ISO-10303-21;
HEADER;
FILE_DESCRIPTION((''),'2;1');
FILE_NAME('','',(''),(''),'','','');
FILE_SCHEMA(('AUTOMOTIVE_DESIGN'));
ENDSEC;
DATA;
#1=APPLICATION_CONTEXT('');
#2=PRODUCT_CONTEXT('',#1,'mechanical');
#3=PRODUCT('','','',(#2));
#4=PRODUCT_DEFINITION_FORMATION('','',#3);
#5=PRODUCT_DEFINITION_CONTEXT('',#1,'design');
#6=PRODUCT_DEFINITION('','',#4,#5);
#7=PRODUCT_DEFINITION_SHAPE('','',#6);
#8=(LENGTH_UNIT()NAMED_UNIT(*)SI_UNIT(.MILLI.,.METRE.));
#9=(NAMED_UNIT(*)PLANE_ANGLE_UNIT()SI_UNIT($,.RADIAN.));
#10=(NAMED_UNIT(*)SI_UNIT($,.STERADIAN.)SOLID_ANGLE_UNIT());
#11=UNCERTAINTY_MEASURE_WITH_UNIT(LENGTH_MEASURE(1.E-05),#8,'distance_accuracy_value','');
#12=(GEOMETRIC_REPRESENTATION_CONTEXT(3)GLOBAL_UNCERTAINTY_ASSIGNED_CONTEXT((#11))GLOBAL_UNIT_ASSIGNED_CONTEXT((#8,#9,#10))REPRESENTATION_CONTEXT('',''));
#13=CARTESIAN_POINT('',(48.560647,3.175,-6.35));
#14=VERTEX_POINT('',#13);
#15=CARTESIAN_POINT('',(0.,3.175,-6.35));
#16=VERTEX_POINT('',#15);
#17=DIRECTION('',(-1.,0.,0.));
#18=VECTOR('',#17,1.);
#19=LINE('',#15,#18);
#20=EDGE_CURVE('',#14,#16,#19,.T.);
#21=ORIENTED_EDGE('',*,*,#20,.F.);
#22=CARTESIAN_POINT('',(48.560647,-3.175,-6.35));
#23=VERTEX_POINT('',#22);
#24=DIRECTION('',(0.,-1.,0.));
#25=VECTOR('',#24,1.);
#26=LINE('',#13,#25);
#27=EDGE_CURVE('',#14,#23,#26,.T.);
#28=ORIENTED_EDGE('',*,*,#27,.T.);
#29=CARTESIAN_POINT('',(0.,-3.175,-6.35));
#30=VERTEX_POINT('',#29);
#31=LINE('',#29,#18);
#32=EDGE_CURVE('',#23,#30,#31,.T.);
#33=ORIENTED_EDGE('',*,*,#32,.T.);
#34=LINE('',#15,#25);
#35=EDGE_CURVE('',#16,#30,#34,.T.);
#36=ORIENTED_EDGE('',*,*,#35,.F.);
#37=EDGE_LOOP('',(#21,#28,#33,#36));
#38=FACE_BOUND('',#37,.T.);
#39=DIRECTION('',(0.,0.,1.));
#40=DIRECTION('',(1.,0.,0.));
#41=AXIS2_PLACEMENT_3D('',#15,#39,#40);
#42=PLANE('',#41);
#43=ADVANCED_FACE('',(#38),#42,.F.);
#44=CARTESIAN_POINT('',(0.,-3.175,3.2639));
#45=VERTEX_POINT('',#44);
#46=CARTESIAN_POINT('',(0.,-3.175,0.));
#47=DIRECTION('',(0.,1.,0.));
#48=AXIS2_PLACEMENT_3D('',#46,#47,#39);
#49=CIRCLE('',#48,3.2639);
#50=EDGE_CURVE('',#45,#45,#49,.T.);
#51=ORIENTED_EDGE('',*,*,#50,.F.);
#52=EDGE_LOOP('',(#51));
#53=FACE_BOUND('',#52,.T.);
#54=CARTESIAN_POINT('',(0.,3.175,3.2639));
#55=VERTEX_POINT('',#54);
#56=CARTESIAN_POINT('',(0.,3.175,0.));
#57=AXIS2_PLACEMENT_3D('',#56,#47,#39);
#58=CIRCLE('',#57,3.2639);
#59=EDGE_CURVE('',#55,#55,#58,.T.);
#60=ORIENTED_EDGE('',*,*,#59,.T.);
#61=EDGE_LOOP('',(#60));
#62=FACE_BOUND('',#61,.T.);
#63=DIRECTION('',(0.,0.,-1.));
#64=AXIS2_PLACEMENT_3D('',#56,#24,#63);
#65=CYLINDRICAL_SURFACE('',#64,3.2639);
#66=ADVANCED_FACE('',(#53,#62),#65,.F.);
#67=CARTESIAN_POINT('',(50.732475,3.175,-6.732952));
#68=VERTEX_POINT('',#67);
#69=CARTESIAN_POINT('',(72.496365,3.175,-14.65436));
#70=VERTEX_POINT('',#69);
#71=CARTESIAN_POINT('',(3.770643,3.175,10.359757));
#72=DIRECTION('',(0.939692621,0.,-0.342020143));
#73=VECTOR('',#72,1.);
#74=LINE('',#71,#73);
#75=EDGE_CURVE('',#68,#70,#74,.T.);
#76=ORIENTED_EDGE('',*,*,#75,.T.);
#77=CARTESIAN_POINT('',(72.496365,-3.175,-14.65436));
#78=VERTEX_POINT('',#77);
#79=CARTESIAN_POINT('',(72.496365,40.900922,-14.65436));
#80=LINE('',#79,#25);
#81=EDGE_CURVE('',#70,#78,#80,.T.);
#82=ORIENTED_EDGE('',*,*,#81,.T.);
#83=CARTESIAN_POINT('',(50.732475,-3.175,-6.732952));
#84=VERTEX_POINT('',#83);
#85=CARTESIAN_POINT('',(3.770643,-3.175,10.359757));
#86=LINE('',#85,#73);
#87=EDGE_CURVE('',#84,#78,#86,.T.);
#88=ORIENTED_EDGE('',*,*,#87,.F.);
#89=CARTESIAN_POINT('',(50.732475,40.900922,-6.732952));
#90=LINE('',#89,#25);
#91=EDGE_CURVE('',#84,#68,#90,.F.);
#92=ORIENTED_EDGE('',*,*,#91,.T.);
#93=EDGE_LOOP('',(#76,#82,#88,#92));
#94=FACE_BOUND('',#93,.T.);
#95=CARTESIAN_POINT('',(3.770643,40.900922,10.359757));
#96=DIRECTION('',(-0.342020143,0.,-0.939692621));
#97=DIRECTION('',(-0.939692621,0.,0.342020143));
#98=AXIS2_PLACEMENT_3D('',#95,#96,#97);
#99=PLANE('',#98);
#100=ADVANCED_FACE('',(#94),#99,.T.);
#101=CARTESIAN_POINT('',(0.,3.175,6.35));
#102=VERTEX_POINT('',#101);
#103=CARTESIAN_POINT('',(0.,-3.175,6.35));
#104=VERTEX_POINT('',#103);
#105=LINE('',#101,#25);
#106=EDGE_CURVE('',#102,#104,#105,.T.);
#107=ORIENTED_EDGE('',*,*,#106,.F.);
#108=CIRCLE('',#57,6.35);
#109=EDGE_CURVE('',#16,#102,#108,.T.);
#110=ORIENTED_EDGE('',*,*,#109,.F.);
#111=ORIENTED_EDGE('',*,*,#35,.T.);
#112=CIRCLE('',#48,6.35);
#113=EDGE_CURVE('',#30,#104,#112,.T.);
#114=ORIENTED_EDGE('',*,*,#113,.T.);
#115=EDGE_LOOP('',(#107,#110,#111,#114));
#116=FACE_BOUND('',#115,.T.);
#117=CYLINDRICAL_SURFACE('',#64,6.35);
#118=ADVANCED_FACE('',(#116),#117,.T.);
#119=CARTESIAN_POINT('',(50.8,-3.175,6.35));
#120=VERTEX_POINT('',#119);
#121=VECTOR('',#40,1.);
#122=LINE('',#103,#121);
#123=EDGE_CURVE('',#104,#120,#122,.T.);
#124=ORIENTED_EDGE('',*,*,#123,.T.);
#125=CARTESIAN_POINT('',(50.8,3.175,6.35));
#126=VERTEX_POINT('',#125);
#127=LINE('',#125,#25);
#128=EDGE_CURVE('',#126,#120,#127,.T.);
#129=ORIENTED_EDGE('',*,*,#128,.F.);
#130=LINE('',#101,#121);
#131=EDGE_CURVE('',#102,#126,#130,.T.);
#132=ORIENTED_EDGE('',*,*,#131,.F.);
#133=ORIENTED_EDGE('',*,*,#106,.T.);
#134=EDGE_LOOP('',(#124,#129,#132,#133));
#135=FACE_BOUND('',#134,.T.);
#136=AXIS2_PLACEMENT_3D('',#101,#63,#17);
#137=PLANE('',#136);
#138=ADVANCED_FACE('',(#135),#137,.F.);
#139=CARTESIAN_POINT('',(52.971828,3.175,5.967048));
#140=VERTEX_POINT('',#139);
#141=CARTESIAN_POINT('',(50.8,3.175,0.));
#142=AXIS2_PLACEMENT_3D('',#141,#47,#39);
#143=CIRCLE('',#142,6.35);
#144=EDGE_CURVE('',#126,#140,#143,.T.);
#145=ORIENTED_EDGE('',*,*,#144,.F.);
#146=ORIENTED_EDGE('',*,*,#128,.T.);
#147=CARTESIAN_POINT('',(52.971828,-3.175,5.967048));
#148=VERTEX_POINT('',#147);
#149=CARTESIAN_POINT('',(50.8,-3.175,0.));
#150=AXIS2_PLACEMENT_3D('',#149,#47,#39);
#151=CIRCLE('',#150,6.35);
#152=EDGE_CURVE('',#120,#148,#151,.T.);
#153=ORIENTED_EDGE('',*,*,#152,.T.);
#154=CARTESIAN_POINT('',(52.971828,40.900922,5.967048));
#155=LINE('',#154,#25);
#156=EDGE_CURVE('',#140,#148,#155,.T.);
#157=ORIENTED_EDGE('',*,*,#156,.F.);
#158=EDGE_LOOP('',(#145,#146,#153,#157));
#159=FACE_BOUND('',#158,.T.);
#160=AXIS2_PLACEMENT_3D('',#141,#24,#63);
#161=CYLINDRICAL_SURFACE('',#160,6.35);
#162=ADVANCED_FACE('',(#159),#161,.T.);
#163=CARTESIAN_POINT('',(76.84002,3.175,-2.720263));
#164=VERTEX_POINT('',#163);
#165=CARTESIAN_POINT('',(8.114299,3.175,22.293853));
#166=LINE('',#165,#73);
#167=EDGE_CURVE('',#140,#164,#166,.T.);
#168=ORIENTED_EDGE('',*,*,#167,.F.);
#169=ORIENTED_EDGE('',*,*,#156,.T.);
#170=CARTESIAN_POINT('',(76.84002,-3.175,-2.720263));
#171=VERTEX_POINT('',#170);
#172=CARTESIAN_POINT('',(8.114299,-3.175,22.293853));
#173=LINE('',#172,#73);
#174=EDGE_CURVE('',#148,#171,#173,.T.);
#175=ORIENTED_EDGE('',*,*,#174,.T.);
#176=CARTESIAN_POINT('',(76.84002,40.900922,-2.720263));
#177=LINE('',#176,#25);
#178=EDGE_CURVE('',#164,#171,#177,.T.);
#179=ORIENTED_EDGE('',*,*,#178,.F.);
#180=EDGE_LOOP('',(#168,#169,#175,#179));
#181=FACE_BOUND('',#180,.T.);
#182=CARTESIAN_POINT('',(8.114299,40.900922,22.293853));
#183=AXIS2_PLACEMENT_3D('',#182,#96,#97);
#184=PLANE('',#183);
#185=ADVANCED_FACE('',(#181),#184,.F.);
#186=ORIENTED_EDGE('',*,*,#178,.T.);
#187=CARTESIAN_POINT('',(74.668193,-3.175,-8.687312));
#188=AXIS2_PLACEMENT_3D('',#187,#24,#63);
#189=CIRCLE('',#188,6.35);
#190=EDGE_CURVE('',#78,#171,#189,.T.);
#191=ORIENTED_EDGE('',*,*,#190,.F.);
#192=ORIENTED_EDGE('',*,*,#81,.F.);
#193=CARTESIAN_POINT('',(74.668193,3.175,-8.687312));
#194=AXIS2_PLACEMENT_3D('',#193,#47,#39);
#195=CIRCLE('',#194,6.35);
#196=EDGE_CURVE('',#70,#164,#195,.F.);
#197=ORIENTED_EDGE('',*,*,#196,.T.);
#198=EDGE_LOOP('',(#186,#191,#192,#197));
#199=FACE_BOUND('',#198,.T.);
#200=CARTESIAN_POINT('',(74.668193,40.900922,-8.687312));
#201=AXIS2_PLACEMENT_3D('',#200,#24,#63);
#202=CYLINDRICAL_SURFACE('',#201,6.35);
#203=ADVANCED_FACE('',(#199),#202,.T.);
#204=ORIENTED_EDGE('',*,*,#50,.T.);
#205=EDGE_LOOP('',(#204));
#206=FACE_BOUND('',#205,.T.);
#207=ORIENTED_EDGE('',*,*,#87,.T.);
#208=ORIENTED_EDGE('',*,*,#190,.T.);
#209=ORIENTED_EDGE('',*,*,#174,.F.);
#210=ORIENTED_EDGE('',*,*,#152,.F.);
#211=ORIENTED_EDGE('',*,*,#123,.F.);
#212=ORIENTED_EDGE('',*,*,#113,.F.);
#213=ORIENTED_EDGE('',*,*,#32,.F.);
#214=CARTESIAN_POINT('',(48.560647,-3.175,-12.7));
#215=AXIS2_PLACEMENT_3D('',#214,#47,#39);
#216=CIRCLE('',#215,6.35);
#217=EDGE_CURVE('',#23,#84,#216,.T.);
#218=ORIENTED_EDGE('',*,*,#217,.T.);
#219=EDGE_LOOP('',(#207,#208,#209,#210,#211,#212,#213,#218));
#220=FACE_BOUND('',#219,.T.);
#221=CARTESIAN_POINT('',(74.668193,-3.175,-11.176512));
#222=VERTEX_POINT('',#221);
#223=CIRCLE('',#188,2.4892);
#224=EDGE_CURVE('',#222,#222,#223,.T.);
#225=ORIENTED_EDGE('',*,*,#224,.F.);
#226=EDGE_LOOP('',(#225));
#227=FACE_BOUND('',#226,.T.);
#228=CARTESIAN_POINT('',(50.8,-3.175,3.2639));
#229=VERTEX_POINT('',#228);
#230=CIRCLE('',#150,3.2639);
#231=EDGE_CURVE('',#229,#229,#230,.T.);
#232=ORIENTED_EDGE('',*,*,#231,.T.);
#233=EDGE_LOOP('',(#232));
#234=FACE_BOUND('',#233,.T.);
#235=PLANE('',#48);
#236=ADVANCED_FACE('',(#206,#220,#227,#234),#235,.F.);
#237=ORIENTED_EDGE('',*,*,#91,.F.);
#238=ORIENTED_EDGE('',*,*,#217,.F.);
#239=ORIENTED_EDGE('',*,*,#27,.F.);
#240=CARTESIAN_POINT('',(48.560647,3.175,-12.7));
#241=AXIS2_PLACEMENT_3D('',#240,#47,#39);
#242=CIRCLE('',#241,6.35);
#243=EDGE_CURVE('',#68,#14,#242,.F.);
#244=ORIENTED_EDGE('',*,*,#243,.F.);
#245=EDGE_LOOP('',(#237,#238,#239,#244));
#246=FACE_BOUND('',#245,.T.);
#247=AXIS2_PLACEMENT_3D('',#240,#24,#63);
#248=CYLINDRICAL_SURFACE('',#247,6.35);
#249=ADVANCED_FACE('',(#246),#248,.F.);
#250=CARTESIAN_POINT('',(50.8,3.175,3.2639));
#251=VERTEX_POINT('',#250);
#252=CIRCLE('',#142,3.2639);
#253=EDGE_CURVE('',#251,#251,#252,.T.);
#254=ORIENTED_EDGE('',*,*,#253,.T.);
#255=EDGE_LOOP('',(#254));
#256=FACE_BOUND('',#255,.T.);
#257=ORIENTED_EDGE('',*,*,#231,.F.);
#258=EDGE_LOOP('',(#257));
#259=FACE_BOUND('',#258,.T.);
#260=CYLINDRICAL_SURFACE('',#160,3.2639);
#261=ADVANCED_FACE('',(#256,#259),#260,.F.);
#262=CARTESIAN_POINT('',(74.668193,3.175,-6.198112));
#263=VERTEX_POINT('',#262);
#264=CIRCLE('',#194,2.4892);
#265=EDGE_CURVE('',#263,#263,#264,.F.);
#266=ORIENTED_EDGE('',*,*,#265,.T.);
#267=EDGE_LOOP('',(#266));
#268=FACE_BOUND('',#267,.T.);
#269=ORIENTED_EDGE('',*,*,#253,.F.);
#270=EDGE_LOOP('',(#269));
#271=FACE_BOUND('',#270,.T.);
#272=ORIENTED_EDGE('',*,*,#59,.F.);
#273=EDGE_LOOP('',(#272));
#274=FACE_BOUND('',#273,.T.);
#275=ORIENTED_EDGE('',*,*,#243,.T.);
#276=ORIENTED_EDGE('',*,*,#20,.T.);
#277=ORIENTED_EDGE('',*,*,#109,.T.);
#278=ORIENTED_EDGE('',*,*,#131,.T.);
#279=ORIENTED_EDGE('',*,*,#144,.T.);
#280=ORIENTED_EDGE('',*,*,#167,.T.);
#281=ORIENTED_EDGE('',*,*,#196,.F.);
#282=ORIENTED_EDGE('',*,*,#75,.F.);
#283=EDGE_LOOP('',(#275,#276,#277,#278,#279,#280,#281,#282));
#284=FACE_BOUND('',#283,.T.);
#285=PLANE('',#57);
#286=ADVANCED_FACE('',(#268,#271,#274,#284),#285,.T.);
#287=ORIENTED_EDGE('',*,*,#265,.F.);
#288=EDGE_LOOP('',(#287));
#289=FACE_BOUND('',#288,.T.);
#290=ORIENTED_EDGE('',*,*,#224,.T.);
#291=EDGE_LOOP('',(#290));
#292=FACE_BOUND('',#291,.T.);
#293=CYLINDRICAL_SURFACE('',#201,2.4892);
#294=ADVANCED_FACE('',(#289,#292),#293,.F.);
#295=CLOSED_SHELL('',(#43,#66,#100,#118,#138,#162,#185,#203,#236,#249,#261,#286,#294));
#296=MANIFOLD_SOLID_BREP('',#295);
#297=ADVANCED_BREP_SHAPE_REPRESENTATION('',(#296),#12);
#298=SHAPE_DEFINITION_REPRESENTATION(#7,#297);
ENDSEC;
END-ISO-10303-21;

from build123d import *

# Parameters (mm, degrees)
SKETCH1_R           = 3.2639
BOSS_EXTRUDE1_DEPTH = 3.175
BOSS_EXTRUDE2_START = -6.35
SKETCH3_R           = 2.4892
BOSS_EXTRUDE2_DEPTH = 6.35
FILLET2_R           = 6.35


with BuildPart() as part:
    # Sketch1 → Boss-Extrude1 (new, symmetric)
    with BuildSketch(Plane(origin=(0, 0, 0), x_dir=(1, 0, 0), z_dir=(0, 1, 0))):
        with BuildLine():
            Line((0, 6.35), (50.8, 6.35))
            ThreePointArc((50.8, 6.35), (57.15, 0), (50.8, -6.35))
            Line((50.8, -6.35), (0, -6.35))
            ThreePointArc((0, -6.35), (-6.35, 0), (0, 6.35))
        make_face()
        with Locations(Location((0, 0, 0), (0, 0, 270))):
            Circle(SKETCH1_R, mode=Mode.SUBTRACT)
        with Locations(Location((50.8, 0, 0), (0, 0, 270))):
            Circle(SKETCH1_R, mode=Mode.SUBTRACT)
    extrude(amount=BOSS_EXTRUDE1_DEPTH, both=True)

    # Sketch3 → Boss-Extrude2 (add)
    with BuildSketch(Plane.XZ.offset(3.175).offset(BOSS_EXTRUDE2_START)):
        with BuildLine():
            Line((76.840020478, -2.720263498), (52.97182791, 5.967048142))
            ThreePointArc((52.97182791, 5.967048142), (57.053529232, -1.102665928), (50.8, -6.35))
            Line((50.8, -6.35), (49.680323673, -6.35))
            Line((49.680323673, -6.35), (72.496364658, -14.654359782))
            ThreePointArc((72.496364658, -14.654359782), (80.63524071, -10.859139551), (76.840020478, -2.720263498))
        make_face()
        with Locations(Location((74.668192568, -8.68731164, 0), (0, 0, 270))):
            Circle(SKETCH3_R, mode=Mode.SUBTRACT)
    extrude(amount=BOSS_EXTRUDE2_DEPTH)

    # Fillet2
    fillet2_edges = [part.edges().sort_by_distance(p)[0] for p in [
        (49.680323673, 0, -6.35),
    ]]
    fillet(fillet2_edges, radius=FILLET2_R)


solid = part.part
